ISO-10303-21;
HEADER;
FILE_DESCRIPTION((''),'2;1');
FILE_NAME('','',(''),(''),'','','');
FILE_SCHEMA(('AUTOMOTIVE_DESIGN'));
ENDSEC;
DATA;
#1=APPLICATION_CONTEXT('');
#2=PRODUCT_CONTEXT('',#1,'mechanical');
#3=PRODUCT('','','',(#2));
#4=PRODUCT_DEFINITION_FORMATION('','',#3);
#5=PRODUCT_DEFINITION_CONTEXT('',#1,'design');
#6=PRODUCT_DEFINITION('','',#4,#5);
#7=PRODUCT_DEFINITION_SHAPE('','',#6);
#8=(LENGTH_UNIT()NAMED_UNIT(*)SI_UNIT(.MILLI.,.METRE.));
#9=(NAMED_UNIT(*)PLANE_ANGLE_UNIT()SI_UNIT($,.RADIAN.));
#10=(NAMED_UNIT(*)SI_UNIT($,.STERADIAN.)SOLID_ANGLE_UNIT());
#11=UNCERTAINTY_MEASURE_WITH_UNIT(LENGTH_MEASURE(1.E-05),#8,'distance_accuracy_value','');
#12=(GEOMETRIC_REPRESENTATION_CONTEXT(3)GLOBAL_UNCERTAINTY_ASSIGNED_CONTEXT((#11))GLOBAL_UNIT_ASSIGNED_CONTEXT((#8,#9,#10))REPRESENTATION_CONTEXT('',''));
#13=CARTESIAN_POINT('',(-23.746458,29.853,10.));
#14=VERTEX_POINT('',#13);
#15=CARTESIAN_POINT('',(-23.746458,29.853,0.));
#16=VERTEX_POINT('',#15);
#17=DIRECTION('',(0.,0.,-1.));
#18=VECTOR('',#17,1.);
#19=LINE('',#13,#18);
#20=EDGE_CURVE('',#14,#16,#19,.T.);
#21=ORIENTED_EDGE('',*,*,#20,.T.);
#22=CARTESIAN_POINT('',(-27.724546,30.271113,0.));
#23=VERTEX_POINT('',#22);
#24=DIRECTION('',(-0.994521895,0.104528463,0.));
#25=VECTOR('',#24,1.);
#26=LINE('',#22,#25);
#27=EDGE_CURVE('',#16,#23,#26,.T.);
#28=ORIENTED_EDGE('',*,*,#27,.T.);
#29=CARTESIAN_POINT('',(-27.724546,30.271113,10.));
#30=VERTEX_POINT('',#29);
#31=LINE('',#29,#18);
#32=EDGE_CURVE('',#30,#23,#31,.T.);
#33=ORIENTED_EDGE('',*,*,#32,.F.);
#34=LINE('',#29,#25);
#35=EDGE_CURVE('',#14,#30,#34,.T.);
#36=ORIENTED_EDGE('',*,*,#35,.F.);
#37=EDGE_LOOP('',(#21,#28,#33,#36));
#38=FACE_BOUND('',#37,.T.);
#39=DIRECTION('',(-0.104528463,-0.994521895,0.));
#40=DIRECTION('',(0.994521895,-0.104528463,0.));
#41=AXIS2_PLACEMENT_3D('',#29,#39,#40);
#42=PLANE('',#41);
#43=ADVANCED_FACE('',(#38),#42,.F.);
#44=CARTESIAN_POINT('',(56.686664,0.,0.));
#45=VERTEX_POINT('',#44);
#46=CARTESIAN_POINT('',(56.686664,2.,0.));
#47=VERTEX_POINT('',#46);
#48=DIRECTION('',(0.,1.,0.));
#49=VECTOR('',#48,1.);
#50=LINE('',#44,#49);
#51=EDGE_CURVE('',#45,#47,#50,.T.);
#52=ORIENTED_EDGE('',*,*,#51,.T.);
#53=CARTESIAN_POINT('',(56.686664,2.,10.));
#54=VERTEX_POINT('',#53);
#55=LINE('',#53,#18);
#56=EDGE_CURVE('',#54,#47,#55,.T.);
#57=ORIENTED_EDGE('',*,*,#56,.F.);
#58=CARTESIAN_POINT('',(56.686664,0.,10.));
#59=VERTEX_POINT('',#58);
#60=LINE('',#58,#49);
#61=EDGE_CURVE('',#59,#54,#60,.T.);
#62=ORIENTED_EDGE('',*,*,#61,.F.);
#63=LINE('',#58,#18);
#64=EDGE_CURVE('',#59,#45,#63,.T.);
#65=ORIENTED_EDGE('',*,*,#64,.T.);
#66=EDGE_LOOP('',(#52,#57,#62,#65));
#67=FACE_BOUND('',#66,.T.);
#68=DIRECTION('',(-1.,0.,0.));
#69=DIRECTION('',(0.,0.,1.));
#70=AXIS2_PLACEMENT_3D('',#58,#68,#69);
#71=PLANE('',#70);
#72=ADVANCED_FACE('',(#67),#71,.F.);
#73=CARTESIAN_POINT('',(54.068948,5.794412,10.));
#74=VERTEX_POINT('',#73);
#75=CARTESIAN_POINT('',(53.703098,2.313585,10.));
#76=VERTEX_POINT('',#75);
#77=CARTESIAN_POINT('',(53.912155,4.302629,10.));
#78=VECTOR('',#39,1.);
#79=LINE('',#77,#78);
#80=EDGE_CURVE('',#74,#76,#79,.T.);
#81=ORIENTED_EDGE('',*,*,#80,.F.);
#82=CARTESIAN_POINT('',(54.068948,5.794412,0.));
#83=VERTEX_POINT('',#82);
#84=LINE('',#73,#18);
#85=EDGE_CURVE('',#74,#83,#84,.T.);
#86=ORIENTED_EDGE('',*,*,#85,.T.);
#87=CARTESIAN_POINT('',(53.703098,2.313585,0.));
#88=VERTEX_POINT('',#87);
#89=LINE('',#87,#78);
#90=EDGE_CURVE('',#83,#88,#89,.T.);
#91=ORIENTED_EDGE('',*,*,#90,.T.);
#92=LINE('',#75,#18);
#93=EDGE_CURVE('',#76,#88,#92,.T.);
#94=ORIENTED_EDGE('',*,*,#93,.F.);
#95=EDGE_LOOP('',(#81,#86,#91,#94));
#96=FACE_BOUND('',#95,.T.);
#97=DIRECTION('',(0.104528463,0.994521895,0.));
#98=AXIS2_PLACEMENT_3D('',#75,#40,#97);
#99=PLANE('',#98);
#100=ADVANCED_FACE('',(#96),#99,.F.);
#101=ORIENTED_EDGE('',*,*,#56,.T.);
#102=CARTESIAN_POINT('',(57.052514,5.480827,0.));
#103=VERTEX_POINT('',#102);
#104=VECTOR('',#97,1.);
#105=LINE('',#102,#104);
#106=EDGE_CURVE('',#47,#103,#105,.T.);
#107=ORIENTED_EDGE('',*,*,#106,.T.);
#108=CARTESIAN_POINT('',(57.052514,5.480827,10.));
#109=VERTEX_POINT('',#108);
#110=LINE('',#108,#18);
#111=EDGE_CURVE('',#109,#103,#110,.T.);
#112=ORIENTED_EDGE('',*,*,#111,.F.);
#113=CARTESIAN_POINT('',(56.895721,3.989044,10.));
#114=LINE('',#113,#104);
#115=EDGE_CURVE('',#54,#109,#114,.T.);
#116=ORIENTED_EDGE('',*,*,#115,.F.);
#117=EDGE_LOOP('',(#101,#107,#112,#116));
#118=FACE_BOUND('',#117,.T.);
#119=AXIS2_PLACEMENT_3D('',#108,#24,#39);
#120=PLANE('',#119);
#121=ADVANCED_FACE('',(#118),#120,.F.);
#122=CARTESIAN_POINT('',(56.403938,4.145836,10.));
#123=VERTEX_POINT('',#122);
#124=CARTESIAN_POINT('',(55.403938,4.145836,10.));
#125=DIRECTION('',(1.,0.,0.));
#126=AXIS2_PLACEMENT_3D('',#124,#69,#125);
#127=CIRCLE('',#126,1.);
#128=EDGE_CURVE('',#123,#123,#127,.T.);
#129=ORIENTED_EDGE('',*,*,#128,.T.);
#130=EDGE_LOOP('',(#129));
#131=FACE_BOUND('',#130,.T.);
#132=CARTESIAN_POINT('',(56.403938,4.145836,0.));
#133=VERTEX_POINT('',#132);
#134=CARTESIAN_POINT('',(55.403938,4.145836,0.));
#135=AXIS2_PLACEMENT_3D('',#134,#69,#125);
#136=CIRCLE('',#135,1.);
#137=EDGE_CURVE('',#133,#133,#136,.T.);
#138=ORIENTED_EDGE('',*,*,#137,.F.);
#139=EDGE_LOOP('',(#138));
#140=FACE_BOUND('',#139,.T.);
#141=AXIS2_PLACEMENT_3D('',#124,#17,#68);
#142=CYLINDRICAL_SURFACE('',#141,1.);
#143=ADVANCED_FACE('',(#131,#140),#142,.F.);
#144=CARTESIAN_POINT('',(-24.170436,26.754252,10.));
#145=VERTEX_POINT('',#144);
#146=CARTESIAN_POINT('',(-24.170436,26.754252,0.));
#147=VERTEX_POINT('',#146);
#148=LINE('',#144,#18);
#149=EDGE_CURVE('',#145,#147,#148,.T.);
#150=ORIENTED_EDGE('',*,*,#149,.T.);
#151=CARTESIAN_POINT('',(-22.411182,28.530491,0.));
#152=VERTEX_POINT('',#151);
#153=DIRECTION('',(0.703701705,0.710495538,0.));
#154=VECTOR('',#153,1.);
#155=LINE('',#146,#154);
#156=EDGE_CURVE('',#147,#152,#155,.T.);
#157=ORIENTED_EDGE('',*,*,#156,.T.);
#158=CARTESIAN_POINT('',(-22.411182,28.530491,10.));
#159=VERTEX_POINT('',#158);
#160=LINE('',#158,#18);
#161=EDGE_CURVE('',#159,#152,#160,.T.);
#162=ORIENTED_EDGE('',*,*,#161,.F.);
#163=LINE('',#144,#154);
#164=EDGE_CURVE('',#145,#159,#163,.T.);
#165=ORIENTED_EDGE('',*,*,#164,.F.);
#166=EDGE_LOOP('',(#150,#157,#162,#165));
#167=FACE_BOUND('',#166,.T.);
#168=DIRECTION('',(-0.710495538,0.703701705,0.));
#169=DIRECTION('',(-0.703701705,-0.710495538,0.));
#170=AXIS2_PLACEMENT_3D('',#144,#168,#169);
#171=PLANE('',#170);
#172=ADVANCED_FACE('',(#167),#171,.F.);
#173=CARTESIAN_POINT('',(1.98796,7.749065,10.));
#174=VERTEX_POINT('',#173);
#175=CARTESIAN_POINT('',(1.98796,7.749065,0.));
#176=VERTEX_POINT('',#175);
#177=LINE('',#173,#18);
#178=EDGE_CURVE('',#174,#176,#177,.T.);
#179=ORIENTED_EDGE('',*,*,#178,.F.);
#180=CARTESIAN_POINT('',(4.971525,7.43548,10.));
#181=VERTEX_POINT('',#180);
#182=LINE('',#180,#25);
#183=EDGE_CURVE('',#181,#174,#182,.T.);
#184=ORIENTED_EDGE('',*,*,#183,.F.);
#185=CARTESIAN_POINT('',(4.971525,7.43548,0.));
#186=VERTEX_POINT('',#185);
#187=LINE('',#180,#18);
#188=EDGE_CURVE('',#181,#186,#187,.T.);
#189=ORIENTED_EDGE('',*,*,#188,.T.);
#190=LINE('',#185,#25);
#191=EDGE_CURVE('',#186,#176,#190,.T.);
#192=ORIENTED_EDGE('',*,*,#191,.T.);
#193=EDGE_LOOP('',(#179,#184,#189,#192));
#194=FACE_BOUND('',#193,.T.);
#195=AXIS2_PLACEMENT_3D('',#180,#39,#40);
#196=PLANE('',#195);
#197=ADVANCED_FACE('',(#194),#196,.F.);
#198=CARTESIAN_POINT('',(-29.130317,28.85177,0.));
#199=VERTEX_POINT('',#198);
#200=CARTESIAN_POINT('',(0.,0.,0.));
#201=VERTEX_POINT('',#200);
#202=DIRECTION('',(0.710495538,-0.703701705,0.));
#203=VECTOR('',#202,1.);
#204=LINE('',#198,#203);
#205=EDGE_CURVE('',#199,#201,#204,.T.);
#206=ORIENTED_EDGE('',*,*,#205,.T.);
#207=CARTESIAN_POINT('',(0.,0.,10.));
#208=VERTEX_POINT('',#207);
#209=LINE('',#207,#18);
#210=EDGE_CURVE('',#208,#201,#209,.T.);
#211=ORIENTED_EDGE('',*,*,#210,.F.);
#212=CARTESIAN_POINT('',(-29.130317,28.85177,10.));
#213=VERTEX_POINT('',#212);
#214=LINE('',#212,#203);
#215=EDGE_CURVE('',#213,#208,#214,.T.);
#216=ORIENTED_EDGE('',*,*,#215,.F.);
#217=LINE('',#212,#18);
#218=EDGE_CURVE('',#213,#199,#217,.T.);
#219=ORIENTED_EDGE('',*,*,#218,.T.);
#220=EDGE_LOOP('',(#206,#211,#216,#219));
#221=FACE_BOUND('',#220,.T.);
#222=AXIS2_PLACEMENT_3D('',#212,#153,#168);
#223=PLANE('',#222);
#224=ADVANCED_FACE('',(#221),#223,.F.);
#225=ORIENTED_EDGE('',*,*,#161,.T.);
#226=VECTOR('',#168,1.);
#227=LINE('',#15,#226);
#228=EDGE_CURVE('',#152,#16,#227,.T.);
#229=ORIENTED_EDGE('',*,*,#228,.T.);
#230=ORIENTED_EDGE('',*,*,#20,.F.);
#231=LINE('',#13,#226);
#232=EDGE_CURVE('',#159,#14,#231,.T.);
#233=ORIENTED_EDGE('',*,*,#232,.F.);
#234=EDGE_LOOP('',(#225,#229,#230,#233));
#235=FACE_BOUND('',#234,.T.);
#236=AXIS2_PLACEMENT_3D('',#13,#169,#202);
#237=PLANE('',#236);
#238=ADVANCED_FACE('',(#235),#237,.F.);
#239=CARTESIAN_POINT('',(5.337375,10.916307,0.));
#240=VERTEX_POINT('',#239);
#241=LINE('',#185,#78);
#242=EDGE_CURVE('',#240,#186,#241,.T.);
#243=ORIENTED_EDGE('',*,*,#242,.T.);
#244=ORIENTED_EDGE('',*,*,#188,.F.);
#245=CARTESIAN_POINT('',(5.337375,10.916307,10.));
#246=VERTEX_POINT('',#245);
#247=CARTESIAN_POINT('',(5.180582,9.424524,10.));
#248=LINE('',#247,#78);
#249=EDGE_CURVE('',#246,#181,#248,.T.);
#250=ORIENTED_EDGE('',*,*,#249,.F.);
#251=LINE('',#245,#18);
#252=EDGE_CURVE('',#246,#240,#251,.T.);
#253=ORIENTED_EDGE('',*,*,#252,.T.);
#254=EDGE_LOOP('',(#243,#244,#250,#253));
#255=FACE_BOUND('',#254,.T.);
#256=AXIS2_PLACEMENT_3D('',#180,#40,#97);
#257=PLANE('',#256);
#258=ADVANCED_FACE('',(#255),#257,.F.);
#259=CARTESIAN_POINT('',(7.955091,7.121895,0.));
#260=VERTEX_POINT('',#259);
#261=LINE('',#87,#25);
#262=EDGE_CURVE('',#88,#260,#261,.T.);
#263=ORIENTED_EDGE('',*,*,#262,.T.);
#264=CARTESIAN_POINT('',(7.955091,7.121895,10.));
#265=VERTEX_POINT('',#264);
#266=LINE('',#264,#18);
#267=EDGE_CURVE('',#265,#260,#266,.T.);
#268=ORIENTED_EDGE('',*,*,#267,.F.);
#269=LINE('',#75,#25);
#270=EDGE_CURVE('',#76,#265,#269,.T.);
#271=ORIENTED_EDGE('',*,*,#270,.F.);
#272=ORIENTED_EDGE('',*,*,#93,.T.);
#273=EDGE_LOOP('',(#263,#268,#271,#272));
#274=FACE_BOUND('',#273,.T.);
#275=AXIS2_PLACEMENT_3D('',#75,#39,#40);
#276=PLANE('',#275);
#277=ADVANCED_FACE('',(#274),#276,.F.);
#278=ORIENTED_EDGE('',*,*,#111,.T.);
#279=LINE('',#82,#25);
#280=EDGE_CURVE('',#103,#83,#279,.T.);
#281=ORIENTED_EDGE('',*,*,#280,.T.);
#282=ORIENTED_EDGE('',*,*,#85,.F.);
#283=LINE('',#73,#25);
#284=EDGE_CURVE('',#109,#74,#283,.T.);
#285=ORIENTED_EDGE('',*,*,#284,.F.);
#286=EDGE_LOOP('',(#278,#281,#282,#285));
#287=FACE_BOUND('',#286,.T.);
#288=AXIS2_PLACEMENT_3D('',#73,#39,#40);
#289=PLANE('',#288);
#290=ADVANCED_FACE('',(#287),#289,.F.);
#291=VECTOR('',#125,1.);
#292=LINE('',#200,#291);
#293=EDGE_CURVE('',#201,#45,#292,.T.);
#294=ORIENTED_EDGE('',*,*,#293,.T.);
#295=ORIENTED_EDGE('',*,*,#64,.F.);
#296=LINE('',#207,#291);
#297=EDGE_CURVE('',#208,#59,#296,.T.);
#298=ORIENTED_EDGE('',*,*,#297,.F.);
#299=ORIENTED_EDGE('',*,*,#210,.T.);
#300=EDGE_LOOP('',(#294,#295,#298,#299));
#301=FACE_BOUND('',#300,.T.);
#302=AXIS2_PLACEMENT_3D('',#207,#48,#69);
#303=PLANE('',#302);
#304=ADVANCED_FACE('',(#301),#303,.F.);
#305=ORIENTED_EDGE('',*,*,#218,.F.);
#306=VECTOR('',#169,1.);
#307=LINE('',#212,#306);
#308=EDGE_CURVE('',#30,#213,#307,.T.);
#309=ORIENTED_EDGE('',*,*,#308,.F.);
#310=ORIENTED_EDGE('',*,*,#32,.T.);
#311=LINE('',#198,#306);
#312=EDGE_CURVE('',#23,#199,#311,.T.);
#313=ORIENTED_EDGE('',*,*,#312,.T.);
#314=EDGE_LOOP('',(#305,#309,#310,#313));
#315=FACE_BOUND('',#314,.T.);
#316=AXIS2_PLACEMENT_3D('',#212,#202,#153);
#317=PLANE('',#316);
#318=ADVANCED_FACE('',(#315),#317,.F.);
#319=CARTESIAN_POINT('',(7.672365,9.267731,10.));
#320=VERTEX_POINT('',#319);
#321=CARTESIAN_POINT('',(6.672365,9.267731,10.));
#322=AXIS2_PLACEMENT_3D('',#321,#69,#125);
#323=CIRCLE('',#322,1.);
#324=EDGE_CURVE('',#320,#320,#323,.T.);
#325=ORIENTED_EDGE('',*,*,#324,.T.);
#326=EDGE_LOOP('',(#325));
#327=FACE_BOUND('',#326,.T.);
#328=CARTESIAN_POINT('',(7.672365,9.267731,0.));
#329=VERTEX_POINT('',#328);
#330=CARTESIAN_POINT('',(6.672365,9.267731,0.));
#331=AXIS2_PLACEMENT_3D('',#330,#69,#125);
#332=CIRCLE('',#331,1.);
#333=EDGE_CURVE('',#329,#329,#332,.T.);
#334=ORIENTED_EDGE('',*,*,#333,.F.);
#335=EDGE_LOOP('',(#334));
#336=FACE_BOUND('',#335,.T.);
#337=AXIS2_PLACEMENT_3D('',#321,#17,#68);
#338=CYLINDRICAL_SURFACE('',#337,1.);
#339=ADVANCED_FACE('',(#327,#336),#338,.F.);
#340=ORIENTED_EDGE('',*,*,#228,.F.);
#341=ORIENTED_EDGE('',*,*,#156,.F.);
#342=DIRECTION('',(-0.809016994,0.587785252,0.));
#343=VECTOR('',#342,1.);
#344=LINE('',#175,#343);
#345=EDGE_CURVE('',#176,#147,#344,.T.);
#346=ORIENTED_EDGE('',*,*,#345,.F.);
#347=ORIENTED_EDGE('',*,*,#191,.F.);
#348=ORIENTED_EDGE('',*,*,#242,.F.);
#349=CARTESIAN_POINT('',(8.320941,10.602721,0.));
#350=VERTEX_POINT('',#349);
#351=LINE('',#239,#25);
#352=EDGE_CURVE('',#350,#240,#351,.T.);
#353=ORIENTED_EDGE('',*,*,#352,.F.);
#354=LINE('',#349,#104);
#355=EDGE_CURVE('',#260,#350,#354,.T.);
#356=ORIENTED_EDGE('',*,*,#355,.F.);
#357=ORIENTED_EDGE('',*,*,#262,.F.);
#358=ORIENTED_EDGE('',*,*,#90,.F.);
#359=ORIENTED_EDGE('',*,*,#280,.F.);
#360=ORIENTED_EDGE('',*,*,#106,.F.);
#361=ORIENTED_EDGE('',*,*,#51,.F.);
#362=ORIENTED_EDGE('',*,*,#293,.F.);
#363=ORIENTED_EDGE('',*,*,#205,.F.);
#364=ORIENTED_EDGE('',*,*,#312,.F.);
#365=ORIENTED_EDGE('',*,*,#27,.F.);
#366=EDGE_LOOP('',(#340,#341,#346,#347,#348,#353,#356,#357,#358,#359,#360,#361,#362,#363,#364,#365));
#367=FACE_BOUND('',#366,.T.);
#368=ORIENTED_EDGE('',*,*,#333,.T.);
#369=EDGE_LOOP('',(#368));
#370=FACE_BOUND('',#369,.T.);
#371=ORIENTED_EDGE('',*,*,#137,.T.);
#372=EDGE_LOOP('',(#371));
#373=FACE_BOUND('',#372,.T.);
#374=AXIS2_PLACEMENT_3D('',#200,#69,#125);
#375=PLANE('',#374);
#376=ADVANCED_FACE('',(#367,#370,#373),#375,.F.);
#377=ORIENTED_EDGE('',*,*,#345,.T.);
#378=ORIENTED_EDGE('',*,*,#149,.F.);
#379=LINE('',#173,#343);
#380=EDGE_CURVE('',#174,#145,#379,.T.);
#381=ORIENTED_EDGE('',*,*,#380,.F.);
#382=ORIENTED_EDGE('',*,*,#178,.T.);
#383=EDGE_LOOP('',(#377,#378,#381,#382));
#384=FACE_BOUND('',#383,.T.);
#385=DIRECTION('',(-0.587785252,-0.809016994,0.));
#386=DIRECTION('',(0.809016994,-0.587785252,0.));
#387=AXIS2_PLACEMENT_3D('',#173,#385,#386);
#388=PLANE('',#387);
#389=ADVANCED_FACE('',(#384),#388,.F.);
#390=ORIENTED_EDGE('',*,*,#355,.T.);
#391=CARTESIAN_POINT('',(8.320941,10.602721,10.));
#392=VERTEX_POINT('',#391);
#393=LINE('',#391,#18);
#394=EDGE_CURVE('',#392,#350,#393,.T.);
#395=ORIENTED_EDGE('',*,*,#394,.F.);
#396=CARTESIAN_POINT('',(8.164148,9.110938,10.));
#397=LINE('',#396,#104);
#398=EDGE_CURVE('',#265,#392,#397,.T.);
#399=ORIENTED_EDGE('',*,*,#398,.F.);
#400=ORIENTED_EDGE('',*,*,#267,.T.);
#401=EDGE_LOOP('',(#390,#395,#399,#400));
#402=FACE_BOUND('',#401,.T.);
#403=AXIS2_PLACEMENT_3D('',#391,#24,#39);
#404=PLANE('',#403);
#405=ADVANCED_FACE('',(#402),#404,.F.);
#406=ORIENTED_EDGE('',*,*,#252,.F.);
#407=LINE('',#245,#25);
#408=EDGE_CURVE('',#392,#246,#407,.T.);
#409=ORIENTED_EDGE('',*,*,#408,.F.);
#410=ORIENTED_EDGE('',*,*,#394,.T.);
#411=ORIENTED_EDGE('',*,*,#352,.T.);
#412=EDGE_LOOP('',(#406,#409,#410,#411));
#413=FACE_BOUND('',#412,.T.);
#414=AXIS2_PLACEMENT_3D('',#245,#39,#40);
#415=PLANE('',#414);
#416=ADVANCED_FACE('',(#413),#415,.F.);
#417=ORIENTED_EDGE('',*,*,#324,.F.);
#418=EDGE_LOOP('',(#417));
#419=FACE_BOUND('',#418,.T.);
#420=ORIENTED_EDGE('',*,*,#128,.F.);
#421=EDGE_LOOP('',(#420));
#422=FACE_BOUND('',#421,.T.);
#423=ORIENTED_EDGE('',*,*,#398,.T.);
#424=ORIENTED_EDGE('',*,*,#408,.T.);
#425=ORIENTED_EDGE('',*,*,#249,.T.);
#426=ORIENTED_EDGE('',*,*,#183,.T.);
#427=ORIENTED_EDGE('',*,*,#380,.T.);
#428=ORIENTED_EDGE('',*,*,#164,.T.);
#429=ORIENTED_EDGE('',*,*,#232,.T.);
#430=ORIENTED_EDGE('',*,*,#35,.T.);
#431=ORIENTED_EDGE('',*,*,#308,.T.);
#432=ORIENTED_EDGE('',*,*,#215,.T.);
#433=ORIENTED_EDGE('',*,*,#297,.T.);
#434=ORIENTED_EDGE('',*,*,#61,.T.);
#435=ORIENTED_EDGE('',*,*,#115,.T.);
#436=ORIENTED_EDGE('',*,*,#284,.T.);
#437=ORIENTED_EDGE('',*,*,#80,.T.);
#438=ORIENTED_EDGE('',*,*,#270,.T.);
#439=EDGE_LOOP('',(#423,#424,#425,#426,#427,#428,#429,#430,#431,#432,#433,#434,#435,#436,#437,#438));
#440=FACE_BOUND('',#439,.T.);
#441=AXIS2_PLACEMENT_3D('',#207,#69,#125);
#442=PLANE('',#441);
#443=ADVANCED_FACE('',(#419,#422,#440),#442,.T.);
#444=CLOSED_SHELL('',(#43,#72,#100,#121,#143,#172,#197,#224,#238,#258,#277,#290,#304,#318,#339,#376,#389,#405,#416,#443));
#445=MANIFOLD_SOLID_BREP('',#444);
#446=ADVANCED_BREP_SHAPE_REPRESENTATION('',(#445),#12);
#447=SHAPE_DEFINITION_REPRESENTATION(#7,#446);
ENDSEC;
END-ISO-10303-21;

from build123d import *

# Parameters (mm, degrees)
SKETCH1_R           = 1
BOSS_EXTRUDE1_DEPTH = 10


with BuildPart() as part:
    # Sketch1 → Boss-Extrude1 (new body)
    with BuildSketch(Plane.XY):
        Polygon((0, 0), (56.686664051, 0), (56.686664051, 2), (56.895720978, 3.989043791), (57.052513673, 5.480826634), (54.068947987, 5.794412024), (53.912155292, 4.302629181), (53.703098365, 2.31358539), (7.955091178, 7.1218947), (8.164148105, 9.110938491), (8.3209408, 10.602721334), (5.337375114, 10.916306724), (5.180582419, 9.424523881), (4.971525492, 7.43548009), (1.987959806, 7.74906548), (-24.170435964, 26.754252471), (-22.411181701, 28.530491317), (-23.74645795, 29.852999514), (-27.724545531, 30.271113368), (-29.130317066, 28.851769922), align=None)
        with Locations((55.403938135, 4.145836486)):
            Circle(SKETCH1_R, mode=Mode.SUBTRACT)
        with Locations((6.672365262, 9.267731186)):
            Circle(SKETCH1_R, mode=Mode.SUBTRACT)
    extrude(amount=BOSS_EXTRUDE1_DEPTH)


solid = part.part
